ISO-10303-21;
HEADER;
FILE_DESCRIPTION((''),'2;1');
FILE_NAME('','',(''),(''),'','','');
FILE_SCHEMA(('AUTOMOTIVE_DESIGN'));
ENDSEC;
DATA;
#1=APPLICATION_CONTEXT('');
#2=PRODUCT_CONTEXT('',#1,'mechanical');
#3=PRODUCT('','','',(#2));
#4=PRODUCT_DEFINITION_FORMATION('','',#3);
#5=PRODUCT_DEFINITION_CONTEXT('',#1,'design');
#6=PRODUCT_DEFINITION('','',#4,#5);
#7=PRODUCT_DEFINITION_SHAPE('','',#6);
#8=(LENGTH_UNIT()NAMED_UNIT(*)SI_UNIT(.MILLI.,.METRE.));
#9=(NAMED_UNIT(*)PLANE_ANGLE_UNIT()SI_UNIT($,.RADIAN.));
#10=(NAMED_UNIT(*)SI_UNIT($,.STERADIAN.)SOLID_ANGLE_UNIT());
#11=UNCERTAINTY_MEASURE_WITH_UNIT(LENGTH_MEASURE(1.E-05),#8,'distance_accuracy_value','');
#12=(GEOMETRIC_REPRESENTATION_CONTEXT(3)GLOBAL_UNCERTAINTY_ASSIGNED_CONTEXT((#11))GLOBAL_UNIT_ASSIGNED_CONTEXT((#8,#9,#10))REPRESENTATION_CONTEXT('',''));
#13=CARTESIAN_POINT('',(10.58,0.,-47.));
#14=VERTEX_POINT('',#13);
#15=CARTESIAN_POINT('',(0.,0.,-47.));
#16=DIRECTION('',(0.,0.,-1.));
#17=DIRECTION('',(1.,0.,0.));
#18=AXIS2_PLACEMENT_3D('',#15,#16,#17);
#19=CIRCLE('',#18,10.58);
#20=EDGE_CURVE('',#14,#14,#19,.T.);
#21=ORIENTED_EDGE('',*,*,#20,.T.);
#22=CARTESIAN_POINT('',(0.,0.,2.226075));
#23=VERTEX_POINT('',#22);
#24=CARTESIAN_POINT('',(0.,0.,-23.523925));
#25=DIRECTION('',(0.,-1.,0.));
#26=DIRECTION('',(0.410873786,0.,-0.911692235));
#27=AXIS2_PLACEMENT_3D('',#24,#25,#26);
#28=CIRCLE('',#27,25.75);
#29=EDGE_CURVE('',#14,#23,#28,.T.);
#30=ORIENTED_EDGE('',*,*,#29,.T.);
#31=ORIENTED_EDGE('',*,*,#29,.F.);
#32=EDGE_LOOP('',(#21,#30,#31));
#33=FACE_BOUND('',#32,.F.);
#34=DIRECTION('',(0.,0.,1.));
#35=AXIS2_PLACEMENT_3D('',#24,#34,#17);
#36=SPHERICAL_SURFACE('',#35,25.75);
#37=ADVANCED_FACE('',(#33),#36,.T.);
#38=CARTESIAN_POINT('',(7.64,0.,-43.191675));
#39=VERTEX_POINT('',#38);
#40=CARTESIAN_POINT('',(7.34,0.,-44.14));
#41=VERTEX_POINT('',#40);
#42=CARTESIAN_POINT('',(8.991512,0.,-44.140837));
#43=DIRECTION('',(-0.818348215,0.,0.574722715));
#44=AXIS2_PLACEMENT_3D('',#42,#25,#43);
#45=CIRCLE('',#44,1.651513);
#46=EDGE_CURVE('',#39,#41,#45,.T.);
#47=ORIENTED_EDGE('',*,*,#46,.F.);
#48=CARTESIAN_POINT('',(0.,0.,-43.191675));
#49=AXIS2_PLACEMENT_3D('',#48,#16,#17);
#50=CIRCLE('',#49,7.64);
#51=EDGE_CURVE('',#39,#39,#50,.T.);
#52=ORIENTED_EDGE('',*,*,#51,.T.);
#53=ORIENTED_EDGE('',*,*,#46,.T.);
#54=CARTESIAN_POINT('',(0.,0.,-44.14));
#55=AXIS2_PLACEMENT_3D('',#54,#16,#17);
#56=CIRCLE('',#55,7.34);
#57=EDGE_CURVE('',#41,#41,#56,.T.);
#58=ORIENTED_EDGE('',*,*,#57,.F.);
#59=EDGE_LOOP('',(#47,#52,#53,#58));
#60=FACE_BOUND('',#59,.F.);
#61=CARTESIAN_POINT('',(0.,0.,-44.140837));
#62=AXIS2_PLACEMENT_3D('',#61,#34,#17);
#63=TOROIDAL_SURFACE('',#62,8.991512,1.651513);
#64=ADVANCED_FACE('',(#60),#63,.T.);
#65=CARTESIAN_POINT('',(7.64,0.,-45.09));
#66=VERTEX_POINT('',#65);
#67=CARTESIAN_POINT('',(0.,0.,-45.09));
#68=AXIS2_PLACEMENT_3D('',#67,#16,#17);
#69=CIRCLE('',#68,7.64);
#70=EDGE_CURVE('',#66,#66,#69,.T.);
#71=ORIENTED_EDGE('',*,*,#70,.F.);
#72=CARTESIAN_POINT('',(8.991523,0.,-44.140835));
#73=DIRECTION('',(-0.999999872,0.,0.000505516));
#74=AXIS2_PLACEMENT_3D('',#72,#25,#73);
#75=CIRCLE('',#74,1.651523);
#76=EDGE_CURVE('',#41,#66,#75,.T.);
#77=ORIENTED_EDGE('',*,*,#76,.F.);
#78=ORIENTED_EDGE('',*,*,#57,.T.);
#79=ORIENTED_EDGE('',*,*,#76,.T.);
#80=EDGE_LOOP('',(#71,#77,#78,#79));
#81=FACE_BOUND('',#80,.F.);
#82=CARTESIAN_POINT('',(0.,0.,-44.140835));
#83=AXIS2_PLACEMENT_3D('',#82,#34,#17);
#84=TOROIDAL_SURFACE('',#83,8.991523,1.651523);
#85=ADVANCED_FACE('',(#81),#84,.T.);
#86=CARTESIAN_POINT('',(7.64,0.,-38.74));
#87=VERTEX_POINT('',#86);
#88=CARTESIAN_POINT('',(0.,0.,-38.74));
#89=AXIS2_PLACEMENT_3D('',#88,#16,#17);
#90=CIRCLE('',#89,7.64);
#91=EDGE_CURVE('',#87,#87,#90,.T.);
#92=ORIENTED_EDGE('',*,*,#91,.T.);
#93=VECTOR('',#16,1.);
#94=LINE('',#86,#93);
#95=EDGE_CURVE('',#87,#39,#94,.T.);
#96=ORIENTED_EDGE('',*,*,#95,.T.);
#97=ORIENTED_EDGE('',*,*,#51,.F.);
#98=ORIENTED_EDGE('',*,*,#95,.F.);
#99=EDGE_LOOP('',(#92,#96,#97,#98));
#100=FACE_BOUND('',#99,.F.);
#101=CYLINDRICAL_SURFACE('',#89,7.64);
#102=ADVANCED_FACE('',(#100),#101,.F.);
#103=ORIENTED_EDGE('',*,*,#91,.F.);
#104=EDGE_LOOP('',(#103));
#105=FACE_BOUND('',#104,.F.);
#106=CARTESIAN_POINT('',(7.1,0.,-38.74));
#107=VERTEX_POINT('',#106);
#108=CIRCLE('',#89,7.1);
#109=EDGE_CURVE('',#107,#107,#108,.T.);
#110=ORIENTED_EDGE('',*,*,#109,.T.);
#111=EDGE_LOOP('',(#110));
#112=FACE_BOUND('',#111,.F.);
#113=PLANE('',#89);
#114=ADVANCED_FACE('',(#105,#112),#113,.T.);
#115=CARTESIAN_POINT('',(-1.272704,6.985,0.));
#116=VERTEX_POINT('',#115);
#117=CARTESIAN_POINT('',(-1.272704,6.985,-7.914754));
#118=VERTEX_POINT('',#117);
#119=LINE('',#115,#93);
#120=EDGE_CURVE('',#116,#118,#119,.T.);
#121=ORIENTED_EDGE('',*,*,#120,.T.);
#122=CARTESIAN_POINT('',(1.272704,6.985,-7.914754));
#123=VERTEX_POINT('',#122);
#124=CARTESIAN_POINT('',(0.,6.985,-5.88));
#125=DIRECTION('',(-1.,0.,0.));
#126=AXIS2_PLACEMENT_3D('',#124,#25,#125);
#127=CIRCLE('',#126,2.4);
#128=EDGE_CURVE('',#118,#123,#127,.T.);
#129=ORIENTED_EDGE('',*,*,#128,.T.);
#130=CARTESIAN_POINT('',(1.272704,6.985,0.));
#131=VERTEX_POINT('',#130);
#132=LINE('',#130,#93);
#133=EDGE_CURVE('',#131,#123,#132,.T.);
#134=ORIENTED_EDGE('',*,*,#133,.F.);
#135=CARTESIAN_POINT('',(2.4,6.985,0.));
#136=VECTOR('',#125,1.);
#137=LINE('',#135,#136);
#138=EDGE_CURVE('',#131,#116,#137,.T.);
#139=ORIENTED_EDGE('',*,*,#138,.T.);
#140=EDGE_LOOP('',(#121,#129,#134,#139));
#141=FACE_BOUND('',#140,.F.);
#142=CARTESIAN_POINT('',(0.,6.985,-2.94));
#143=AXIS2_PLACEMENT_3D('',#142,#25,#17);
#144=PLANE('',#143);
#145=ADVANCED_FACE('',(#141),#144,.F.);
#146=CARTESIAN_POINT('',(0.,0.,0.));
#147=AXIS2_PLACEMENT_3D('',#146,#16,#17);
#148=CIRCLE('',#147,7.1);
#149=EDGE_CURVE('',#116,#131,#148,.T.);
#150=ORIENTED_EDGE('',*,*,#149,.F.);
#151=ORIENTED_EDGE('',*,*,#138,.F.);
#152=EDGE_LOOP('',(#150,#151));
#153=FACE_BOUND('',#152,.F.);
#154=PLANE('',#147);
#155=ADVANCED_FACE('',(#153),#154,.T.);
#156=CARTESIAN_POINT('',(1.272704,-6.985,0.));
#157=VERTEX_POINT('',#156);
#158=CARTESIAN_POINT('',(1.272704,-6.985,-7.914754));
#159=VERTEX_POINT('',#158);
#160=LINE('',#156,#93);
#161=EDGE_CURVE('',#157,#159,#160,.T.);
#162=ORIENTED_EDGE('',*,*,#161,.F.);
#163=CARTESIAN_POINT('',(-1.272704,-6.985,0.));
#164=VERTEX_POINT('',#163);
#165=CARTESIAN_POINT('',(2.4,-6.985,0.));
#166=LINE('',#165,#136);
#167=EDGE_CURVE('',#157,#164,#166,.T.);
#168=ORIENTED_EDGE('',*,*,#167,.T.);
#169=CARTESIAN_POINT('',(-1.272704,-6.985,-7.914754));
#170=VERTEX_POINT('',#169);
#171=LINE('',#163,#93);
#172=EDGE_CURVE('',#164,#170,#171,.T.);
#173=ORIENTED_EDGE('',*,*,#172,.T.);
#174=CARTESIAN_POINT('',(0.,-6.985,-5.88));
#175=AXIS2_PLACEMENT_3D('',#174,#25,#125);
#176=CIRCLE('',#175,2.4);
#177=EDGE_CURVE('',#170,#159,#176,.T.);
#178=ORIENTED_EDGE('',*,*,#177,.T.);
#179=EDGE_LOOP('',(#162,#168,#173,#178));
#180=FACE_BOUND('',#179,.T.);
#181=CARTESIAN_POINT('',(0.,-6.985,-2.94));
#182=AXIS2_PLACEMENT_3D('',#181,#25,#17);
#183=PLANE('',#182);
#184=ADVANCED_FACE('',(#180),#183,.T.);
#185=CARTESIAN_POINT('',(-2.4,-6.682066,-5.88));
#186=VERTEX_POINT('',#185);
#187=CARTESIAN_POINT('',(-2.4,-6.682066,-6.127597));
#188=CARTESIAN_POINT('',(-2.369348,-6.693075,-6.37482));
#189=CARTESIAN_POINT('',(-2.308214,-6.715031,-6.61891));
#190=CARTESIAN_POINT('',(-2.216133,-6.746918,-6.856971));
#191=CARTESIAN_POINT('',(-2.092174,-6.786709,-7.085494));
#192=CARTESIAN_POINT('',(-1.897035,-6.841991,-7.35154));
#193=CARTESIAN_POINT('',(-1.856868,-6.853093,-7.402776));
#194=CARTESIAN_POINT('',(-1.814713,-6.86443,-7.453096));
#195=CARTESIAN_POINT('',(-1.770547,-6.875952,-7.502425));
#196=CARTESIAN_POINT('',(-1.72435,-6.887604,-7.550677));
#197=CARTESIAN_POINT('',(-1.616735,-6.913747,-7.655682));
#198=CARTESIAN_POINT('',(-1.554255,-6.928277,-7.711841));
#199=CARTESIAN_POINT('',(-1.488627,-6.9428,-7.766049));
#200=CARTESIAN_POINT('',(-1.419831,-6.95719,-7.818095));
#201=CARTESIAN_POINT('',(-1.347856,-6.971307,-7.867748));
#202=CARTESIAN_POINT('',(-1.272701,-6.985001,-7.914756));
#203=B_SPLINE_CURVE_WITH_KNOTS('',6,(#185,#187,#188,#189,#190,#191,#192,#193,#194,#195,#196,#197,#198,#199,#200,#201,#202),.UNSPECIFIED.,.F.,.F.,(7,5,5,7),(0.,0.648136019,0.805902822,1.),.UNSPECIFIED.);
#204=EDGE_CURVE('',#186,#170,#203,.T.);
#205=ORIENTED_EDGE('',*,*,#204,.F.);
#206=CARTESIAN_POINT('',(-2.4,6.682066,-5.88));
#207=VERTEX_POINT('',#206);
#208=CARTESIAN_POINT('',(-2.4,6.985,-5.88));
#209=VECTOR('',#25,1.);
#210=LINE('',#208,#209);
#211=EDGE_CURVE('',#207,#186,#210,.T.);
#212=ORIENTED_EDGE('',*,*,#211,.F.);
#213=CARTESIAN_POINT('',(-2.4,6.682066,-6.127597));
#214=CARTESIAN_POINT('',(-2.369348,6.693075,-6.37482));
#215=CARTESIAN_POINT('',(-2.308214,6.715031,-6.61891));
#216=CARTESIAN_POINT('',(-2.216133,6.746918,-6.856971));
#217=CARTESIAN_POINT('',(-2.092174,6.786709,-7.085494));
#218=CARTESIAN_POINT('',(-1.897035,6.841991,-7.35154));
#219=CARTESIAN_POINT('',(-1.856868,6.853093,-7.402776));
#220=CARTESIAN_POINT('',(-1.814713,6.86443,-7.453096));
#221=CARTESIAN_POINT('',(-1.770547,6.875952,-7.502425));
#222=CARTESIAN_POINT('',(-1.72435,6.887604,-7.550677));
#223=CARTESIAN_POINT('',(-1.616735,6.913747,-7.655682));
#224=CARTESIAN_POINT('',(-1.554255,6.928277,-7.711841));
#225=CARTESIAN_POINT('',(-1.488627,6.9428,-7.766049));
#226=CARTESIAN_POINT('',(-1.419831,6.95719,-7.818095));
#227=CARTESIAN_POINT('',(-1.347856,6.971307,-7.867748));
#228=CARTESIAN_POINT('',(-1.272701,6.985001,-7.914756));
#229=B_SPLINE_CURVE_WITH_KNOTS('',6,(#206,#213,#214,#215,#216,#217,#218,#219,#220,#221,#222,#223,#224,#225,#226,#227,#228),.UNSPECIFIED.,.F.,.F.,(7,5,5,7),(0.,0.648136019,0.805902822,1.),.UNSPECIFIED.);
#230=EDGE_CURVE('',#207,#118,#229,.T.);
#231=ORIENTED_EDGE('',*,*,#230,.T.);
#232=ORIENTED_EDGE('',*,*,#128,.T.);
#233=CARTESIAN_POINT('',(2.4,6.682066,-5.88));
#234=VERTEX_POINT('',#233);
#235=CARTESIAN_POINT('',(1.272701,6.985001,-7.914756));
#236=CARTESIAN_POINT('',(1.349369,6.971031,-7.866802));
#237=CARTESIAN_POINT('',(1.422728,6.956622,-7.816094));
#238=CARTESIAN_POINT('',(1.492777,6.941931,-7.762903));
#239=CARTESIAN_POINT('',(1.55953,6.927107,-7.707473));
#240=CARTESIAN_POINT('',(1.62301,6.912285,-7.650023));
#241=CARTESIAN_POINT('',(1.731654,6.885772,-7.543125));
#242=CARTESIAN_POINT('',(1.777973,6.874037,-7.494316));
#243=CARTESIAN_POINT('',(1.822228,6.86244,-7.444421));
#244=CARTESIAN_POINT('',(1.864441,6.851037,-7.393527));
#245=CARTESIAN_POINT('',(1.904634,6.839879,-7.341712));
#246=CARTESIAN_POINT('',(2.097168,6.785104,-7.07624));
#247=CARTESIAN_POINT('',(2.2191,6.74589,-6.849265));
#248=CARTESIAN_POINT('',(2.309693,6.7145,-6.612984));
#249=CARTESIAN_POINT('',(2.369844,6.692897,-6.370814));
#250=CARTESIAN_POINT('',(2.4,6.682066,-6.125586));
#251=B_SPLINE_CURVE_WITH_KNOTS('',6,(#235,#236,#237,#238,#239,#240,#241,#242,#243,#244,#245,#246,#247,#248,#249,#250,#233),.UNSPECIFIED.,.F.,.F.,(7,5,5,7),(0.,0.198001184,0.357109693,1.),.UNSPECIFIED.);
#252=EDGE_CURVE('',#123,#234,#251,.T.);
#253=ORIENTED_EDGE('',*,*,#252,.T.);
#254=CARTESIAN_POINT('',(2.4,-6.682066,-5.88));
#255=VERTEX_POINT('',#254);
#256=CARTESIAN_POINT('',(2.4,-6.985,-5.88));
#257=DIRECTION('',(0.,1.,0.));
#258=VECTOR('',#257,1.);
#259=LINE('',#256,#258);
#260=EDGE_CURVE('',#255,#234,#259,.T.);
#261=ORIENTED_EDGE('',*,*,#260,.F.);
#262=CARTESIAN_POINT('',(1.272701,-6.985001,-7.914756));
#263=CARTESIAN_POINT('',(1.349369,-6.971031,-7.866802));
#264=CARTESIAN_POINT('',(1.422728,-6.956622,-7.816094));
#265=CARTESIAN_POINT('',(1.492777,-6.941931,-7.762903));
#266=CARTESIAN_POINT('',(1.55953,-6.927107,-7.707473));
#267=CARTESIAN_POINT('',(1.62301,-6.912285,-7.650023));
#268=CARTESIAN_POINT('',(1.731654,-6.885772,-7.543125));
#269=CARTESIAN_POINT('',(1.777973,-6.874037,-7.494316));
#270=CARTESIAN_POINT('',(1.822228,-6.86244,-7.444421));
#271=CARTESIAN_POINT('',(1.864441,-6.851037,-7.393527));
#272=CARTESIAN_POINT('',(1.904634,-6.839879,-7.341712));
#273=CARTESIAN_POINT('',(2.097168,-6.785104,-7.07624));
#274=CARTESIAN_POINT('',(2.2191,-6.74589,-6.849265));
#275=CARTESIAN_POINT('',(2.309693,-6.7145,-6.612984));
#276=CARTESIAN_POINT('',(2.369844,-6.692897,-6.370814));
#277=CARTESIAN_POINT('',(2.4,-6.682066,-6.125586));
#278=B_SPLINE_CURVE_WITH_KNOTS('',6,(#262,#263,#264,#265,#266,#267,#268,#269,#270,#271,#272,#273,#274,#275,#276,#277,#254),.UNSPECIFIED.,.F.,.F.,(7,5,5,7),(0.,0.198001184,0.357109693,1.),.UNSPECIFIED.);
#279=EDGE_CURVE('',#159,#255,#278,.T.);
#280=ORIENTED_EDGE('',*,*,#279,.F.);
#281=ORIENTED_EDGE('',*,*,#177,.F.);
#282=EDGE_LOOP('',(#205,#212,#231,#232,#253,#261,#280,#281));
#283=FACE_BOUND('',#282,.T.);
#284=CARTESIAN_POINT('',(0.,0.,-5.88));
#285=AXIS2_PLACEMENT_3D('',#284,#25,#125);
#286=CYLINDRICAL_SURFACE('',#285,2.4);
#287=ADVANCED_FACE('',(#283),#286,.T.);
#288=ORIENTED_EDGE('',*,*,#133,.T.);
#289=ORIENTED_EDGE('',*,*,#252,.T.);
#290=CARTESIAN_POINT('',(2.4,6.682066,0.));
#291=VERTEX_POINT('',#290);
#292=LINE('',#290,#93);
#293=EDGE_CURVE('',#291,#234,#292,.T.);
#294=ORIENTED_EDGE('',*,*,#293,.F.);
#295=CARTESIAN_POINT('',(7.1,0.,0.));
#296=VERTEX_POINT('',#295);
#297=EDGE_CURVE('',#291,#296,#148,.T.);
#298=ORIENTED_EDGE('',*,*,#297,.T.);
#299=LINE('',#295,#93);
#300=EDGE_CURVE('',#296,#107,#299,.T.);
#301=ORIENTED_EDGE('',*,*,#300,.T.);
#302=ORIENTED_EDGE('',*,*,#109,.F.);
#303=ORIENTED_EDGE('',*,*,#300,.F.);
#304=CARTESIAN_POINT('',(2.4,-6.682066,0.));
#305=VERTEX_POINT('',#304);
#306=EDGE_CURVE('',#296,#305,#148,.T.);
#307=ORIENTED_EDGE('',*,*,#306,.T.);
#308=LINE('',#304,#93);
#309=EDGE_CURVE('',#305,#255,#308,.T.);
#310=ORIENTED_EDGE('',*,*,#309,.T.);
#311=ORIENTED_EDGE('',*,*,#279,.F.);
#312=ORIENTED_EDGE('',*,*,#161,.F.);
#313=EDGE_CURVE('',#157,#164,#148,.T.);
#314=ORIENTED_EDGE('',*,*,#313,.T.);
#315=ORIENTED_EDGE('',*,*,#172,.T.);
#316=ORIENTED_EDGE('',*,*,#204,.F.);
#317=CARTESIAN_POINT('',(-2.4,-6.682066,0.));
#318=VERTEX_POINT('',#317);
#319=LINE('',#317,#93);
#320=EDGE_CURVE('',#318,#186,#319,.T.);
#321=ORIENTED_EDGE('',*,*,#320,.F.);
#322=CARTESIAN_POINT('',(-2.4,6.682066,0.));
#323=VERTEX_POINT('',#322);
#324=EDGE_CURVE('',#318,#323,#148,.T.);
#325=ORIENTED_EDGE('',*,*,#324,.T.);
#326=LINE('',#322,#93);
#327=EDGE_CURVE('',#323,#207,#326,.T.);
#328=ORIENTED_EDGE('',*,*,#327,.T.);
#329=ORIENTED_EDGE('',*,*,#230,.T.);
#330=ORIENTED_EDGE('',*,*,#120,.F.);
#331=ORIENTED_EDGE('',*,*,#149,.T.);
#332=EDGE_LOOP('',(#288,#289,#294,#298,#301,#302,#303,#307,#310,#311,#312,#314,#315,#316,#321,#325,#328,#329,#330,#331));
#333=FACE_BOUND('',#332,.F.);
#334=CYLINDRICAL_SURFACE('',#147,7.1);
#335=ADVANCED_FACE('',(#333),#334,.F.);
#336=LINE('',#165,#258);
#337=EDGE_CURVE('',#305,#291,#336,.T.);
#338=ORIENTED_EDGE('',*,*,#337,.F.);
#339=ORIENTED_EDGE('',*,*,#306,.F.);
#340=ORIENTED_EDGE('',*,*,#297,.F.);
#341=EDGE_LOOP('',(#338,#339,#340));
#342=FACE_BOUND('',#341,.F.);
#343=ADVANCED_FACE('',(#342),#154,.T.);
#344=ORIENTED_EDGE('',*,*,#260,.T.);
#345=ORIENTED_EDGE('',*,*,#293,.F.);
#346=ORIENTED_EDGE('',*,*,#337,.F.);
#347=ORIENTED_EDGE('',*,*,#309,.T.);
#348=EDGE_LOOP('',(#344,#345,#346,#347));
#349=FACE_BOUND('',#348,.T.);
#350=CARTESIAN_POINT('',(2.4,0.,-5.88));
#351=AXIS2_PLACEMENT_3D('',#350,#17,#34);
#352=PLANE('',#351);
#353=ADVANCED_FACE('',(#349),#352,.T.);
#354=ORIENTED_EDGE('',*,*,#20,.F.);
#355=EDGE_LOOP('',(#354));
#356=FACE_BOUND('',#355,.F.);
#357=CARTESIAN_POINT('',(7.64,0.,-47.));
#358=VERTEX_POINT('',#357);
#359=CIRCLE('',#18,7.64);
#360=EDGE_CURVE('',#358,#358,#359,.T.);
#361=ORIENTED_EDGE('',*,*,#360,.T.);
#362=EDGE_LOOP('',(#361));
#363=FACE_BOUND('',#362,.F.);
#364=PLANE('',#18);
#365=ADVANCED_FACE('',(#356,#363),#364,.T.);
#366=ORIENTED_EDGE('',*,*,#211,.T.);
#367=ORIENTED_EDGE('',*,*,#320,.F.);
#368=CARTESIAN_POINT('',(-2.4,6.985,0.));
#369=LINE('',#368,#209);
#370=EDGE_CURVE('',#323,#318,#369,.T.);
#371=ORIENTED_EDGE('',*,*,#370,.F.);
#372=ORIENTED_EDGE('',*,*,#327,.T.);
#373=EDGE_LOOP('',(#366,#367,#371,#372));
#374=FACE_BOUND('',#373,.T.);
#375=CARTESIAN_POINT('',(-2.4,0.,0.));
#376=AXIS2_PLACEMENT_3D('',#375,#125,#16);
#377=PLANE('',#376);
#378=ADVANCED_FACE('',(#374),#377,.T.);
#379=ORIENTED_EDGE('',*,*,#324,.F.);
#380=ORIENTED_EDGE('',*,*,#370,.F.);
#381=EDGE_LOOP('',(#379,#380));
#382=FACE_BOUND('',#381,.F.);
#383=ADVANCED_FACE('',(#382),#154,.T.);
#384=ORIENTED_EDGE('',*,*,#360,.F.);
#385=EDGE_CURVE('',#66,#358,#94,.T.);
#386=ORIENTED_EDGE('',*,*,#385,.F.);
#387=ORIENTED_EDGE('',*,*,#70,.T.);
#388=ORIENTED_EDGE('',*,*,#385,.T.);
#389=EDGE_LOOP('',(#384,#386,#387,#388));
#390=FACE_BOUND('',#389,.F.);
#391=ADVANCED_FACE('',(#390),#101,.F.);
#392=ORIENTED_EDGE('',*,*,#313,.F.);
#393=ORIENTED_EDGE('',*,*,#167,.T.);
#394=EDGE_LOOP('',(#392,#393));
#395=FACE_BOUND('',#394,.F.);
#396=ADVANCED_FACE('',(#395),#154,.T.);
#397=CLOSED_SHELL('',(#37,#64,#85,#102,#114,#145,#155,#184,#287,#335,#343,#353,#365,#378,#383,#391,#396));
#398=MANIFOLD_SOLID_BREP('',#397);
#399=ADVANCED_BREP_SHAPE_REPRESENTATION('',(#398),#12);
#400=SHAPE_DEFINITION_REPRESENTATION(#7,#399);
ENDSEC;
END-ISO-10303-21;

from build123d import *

# Parameters (mm, degrees)
F1_DEPTH = 6.985


with BuildPart() as f1:
    # F0 (on Front) → F1 (new body, symmetric)
    with BuildSketch(Plane.XZ):
        Polygon((2.4, 0), (0, 0), (-2.4, 0), (-2.4, -5.88), (0, -5.88), (2.4, -5.88), align=None)
        with BuildLine():
            ThreePointArc((-2.4, -5.88), (0, -8.28), (2.4, -5.88))
            Line((2.4, -5.88), (0, -5.88))
            Line((0, -5.88), (-2.4, -5.88))
        make_face()
    extrude(amount=F1_DEPTH, both=True)

    # F0 (on Front) → F2 (revolve)
    with BuildSketch(Plane.XZ):
        with BuildLine():
            Line((0, 2.226075), (0, 0))
            Line((0, 0), (2.4, 0))
            Line((2.4, 0), (7.1, 0))
            Line((7.1, 0), (7.1, -38.74))
            Line((7.1, -38.74), (7.64, -38.74))
            Line((7.64, -38.74), (7.64, -43.191675))
            Line((7.64, -43.191675), (7.64, -44.14))
            Line((7.64, -44.14), (7.64, -45.09))
            Line((7.64, -45.09), (7.64, -47))
            Line((7.64, -47), (10.58, -47))
            ThreePointArc((10.58, -47), (25.175101, -18.113122), (0, 2.226075))
        make_face()
        with BuildLine():
            Line((7.64, -44.14), (7.64, -43.191675))
            ThreePointArc((7.64, -43.191675), (7.416911, -43.642716), (7.34, -44.14))
            Line((7.34, -44.14), (7.64, -44.14))
        make_face()
        with BuildLine():
            ThreePointArc((7.34, -44.14), (7.416659, -44.63816), (7.64, -45.09))
            Line((7.64, -45.09), (7.64, -44.14))
            Line((7.64, -44.14), (7.34, -44.14))
        make_face()
    revolve(axis=Axis((0, 0, 1.113038), (0, 0, -1)))


solid = f1.part
